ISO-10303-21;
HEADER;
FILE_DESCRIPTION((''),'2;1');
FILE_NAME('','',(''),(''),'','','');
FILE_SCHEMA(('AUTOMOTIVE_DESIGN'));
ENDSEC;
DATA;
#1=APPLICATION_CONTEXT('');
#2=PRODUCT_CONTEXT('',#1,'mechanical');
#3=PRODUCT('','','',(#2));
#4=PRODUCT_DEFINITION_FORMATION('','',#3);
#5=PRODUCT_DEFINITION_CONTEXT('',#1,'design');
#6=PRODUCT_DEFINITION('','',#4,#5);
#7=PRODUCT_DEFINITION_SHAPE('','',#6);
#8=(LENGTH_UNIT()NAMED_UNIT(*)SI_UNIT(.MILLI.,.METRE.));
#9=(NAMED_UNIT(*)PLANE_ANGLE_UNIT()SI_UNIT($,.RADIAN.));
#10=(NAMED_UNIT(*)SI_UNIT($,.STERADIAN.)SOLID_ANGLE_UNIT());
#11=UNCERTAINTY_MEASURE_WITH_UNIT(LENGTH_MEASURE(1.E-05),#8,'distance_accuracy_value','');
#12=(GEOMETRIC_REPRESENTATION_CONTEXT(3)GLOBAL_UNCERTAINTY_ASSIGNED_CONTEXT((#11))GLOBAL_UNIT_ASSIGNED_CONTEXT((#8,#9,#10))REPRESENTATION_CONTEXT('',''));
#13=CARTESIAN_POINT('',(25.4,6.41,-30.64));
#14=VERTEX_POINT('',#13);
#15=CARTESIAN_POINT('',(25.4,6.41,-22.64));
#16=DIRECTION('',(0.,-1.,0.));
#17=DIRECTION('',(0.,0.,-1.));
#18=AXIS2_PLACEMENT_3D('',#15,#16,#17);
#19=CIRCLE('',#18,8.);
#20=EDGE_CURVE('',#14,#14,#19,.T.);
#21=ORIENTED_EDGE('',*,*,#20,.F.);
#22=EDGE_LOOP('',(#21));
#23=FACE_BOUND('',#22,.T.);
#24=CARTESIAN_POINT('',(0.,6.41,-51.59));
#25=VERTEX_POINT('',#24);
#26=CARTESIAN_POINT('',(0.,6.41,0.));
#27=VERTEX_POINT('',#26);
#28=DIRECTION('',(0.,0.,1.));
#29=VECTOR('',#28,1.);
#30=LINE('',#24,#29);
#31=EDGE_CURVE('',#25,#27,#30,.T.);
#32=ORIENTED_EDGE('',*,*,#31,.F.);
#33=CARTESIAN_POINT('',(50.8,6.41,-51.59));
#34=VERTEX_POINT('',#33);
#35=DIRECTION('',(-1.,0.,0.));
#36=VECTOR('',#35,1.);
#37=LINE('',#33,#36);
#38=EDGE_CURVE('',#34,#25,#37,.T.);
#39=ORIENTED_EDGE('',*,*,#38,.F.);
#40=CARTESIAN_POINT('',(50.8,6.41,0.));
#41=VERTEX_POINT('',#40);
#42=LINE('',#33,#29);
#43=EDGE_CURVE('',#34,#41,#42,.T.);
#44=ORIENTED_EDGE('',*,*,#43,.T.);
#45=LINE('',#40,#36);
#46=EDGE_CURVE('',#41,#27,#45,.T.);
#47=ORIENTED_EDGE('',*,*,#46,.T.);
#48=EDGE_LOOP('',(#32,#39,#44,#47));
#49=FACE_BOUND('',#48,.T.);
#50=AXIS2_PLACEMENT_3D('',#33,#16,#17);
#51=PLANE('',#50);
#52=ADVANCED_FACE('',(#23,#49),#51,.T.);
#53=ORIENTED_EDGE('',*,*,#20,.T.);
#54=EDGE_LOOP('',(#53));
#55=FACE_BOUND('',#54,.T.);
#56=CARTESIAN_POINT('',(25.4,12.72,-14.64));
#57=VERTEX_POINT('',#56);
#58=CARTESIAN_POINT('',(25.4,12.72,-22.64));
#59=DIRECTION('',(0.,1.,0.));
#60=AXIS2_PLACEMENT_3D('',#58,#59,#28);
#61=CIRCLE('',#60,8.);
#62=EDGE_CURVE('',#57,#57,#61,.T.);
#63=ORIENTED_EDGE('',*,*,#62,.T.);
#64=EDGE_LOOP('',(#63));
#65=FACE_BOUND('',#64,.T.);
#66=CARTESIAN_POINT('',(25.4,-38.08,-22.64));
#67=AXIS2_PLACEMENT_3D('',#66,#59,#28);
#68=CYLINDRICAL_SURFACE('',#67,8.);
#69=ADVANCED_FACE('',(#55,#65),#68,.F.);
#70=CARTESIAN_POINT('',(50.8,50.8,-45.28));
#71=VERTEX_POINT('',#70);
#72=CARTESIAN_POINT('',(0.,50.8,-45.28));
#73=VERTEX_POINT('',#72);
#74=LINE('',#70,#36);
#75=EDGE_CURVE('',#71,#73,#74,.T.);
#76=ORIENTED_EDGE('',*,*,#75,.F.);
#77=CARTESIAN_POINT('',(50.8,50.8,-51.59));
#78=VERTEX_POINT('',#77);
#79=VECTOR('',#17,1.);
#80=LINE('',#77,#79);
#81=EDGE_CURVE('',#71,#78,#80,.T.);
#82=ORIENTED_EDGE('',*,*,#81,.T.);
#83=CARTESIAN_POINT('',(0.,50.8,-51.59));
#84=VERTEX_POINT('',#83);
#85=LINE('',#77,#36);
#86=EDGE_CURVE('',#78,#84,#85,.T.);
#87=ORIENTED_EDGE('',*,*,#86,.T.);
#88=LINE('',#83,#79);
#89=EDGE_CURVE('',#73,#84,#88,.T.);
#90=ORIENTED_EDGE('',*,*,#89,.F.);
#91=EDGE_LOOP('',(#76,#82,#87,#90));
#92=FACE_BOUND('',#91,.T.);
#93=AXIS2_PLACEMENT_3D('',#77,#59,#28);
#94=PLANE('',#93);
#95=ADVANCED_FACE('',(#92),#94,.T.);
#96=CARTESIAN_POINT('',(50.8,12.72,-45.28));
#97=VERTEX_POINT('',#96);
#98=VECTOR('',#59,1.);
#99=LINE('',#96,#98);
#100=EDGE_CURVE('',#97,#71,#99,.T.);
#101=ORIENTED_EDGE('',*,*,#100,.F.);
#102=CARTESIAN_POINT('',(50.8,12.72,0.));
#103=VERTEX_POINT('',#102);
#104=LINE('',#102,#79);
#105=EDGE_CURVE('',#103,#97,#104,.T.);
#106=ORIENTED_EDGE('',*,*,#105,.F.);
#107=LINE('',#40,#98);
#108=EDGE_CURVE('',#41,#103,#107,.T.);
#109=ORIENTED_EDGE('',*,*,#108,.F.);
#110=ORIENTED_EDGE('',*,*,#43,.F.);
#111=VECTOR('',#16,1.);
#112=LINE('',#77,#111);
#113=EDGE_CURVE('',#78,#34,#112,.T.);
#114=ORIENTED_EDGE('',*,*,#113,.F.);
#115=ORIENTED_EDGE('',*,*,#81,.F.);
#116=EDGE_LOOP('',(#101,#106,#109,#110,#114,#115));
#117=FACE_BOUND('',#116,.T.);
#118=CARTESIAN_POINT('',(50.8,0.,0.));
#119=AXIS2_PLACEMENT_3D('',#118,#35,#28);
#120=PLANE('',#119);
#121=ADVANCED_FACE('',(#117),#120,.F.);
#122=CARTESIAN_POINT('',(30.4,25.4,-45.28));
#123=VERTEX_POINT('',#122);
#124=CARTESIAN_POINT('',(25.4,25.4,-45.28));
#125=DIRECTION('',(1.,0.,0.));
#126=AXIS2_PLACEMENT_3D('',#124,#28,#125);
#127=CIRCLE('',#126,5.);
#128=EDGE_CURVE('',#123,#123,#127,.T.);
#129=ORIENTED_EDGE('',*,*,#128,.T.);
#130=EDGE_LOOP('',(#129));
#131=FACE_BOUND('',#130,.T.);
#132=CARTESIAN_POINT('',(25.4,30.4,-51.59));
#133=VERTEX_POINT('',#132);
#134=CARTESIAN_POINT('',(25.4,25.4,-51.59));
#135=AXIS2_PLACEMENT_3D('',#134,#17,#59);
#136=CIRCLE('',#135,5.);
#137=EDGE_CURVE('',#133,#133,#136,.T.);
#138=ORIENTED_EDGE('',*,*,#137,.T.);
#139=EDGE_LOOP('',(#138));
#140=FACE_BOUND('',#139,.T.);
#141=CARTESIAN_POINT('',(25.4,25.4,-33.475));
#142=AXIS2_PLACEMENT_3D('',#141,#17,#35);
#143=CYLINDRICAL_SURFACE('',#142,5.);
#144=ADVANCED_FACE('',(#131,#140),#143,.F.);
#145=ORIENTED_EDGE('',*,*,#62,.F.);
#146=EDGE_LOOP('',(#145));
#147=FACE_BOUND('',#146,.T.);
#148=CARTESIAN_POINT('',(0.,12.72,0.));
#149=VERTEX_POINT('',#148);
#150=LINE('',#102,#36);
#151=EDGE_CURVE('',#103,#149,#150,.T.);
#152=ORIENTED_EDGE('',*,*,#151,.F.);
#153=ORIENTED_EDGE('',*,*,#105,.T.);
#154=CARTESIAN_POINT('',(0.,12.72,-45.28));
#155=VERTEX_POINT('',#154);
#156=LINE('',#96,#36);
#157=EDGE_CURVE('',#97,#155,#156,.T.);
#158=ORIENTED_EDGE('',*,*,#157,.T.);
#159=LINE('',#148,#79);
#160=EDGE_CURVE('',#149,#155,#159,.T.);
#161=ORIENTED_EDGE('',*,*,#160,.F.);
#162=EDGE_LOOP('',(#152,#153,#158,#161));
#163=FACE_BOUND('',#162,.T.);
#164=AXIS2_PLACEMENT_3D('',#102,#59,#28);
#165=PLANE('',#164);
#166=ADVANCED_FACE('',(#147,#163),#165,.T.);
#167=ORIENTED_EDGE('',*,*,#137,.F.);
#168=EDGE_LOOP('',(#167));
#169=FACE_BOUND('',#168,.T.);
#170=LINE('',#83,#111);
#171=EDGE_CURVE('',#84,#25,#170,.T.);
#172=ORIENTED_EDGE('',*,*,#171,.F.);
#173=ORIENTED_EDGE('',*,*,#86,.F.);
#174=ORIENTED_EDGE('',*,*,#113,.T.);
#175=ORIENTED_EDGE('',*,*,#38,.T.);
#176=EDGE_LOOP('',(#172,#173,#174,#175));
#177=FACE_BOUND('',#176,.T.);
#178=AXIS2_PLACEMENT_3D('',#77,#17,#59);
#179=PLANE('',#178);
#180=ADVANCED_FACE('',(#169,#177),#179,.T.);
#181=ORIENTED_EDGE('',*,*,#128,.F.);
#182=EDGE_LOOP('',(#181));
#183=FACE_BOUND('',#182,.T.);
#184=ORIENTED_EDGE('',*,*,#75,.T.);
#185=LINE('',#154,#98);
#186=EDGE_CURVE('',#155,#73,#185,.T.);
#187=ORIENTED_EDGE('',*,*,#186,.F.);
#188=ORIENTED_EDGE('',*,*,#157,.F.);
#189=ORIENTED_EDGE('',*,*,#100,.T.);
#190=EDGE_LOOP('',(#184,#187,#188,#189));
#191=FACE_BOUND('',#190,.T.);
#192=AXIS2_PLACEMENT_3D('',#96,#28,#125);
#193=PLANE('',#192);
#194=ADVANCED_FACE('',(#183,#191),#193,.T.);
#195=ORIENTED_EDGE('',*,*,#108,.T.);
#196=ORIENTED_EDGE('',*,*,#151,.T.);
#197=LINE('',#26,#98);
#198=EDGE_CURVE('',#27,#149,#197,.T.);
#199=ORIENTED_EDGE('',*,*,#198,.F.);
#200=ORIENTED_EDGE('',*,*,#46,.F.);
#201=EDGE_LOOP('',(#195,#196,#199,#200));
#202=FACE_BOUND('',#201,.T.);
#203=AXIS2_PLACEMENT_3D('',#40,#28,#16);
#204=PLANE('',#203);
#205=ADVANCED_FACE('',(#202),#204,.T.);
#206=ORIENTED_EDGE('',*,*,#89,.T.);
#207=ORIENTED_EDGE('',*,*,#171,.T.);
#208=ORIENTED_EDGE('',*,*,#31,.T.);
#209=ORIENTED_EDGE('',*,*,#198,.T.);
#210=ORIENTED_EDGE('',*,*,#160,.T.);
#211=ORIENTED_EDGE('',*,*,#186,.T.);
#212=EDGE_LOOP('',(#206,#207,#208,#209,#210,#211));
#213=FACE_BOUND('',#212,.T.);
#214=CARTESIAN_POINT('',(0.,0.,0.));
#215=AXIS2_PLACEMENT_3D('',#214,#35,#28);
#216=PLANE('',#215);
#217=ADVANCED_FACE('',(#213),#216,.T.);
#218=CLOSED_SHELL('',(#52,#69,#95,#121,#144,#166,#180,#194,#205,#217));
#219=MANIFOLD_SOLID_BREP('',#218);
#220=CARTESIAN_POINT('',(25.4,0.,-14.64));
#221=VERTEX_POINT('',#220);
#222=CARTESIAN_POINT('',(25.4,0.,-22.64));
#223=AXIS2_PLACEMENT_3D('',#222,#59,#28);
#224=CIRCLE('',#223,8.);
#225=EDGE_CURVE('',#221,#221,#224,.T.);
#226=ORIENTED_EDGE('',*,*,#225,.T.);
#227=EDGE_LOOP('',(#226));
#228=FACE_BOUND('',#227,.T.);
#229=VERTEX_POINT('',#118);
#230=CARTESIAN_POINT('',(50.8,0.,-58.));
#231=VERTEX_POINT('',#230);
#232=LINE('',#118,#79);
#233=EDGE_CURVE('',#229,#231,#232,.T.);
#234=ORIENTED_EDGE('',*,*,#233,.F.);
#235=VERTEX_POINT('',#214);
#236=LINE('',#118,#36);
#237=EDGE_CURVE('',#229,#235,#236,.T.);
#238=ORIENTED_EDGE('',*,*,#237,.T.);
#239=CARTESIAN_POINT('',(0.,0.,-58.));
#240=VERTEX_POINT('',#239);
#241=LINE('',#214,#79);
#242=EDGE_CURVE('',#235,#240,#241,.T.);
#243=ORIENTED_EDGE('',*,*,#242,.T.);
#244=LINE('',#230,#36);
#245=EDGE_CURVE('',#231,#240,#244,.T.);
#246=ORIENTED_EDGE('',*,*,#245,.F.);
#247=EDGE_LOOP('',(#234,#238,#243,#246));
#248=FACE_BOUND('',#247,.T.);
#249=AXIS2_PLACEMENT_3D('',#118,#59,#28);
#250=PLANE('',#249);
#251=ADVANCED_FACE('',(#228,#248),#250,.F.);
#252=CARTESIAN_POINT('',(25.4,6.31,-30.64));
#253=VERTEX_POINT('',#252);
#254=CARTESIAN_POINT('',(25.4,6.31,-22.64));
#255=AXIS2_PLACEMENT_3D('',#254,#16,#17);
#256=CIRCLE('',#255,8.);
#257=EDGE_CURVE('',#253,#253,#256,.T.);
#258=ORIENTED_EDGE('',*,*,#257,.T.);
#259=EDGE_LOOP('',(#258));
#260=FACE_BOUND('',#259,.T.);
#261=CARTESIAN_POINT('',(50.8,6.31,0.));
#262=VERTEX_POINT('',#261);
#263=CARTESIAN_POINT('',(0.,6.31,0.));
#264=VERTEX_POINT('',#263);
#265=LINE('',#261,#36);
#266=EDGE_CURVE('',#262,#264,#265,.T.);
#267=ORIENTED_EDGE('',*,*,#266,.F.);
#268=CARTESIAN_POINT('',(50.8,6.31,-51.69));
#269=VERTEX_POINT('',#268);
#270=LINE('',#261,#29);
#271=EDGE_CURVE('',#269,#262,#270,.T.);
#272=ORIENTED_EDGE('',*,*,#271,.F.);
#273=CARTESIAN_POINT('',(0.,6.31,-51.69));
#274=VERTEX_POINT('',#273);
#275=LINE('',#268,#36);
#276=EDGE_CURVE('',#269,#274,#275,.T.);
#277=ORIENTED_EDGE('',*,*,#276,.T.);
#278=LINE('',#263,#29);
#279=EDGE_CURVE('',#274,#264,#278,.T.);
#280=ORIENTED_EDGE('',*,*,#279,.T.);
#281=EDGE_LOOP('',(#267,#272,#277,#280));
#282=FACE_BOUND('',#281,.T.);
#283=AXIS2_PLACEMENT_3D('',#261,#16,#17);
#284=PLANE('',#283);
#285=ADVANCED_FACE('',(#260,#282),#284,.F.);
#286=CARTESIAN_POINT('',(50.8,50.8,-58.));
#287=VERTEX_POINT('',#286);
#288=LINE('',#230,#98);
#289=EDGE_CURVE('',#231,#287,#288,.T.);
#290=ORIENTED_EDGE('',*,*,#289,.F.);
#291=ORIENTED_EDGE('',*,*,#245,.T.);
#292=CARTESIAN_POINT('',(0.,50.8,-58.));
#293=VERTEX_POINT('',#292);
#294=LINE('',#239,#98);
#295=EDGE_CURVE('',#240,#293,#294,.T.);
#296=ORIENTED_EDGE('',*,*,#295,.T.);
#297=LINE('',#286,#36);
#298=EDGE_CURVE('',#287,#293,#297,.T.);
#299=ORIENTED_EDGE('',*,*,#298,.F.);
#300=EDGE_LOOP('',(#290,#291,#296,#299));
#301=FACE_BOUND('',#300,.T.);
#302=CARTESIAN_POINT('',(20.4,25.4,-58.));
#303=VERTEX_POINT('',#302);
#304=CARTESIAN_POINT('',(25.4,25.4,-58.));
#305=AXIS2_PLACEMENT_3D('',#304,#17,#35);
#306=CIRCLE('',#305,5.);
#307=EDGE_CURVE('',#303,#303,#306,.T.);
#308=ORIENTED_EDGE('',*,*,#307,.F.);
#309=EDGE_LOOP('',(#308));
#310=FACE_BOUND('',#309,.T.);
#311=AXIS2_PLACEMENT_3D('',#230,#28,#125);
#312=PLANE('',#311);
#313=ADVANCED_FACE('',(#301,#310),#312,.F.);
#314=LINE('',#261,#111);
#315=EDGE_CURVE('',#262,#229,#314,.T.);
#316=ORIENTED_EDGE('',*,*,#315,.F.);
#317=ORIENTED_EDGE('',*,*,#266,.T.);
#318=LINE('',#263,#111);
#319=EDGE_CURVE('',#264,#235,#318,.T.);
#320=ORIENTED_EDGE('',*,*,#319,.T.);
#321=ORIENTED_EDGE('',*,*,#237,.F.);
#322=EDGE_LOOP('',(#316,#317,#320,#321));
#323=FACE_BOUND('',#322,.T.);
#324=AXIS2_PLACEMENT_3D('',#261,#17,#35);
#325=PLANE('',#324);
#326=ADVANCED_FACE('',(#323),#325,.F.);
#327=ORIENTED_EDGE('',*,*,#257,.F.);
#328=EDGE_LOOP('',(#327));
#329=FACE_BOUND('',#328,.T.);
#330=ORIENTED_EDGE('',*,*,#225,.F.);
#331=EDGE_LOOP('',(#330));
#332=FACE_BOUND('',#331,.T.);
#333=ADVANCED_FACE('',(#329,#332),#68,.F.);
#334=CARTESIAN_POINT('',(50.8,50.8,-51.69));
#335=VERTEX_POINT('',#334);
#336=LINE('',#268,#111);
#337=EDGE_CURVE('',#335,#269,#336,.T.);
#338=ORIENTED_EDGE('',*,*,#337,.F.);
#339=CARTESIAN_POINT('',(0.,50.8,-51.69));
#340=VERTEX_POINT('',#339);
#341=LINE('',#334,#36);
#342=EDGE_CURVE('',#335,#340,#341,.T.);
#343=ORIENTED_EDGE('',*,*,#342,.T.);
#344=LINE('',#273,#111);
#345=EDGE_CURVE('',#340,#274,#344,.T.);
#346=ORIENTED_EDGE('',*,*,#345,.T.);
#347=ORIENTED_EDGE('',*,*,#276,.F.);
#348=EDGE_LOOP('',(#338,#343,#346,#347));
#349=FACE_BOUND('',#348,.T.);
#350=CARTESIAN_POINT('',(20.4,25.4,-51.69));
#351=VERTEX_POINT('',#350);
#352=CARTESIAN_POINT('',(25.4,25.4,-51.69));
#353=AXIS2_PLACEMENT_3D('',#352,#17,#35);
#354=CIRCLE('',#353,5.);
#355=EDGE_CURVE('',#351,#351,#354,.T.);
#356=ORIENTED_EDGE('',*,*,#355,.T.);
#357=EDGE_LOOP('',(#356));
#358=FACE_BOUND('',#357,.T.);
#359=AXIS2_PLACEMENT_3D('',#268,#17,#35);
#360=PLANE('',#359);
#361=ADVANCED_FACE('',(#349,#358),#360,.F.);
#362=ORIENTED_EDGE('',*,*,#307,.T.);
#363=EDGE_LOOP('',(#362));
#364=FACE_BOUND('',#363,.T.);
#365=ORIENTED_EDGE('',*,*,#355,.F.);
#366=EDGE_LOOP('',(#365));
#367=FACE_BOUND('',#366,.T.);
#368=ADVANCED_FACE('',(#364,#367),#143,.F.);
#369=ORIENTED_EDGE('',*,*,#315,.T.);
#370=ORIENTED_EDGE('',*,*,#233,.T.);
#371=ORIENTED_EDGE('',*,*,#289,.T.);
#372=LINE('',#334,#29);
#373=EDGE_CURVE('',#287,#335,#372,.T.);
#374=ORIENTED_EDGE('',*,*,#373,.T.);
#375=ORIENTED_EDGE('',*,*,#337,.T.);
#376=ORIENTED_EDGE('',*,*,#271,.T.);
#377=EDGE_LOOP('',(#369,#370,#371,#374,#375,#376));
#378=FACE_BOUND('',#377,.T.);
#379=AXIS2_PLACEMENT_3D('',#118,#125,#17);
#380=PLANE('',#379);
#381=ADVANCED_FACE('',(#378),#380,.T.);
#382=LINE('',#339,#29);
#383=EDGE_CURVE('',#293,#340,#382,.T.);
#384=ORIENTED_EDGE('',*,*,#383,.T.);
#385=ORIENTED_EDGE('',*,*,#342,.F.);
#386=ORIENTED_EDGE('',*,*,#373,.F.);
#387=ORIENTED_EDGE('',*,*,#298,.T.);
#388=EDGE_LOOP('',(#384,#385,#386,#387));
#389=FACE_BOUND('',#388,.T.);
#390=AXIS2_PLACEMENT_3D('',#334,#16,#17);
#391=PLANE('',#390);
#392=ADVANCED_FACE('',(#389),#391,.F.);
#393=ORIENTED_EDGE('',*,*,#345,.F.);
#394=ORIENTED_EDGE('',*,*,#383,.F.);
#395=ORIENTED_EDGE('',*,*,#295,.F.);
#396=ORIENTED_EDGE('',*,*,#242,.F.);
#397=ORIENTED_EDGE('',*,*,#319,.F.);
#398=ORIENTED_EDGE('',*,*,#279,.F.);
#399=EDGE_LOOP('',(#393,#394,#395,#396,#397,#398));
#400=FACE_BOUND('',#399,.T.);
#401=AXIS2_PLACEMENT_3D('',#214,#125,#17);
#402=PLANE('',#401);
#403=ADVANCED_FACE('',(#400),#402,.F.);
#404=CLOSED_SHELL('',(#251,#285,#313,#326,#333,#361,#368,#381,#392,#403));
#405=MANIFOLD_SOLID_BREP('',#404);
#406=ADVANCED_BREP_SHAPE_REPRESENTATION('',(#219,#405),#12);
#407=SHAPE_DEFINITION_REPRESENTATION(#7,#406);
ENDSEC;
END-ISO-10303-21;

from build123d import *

# Parameters (mm, degrees)
SALIENTE_EXTRUIR1_DEPTH = 50.8
SALIENTE_EXTRUIR2_DEPTH = 50.8
CROQUIS3_R              = 8
CORTAR_EXTRUIR1_DEPTH   = 50.8
CROQUIS4_R              = 5
CORTAR_EXTRUIR2_DEPTH   = 24.525


with BuildPart() as part:
    # Croquis1 → Saliente-Extruir1 (new body)
    with BuildSketch(Plane(origin=(0, 0, 0), x_dir=(0, 0, -1), z_dir=(1, 0, 0))):
        Polygon((0, 0), (58, 0), (58, 50.8), (51.69, 50.8), (51.69, 6.31), (0, 6.31), align=None)
    extrude(amount=SALIENTE_EXTRUIR1_DEPTH)


with BuildPart() as body_2:
    # Croquis2 → Saliente-Extruir2 (new body)
    with BuildSketch(Plane.ZY):
        Polygon((-51.59, 50.8), (-51.59, 6.41), (0, 6.41), (0, 12.72), (-45.28, 12.72), (-45.28, 50.8), align=None)
    extrude(amount=-SALIENTE_EXTRUIR2_DEPTH)


with BuildPart() as cortar_extruir1_tool:
    # Croquis3 → Cortar-Extruir1 (new body)
    with BuildSketch(Plane(origin=(0, 12.72, 0), x_dir=(1, 0, 0), z_dir=(0, 1, 0))):
        with Locations(Location((25.4, 22.64, 0), (0, 0, 270))):
            Circle(CROQUIS3_R)
    extrude(amount=-CORTAR_EXTRUIR1_DEPTH)


with BuildPart() as part_1:
    add(part.part)

    # Cortar-Extruir1: cut by cortar_extruir1_tool
    add(cortar_extruir1_tool.part, mode=Mode.SUBTRACT)


with BuildPart() as body_2_1:
    add(body_2.part)

    # Cortar-Extruir1: cut by cortar_extruir1_tool
    add(cortar_extruir1_tool.part, mode=Mode.SUBTRACT)


with BuildPart() as cortar_extruir2_tool:
    # Croquis4 → Cortar-Extruir2 (new body)
    with BuildSketch(Plane(origin=(0, 0, -58), x_dir=(-1, 0, 0), z_dir=(0, 0, -1))):
        with Locations(Location((-25.4, 25.4, 0), (0, 0, 90))):
            Circle(CROQUIS4_R)
    extrude(amount=-CORTAR_EXTRUIR2_DEPTH)


with BuildPart() as part_2:
    add(part_1.part)

    # Cortar-Extruir2: cut by cortar_extruir2_tool
    add(cortar_extruir2_tool.part, mode=Mode.SUBTRACT)


with BuildPart() as body_2_2:
    add(body_2_1.part)

    # Cortar-Extruir2: cut by cortar_extruir2_tool
    add(cortar_extruir2_tool.part, mode=Mode.SUBTRACT)


solid = Compound([part_2.part, body_2_2.part])
